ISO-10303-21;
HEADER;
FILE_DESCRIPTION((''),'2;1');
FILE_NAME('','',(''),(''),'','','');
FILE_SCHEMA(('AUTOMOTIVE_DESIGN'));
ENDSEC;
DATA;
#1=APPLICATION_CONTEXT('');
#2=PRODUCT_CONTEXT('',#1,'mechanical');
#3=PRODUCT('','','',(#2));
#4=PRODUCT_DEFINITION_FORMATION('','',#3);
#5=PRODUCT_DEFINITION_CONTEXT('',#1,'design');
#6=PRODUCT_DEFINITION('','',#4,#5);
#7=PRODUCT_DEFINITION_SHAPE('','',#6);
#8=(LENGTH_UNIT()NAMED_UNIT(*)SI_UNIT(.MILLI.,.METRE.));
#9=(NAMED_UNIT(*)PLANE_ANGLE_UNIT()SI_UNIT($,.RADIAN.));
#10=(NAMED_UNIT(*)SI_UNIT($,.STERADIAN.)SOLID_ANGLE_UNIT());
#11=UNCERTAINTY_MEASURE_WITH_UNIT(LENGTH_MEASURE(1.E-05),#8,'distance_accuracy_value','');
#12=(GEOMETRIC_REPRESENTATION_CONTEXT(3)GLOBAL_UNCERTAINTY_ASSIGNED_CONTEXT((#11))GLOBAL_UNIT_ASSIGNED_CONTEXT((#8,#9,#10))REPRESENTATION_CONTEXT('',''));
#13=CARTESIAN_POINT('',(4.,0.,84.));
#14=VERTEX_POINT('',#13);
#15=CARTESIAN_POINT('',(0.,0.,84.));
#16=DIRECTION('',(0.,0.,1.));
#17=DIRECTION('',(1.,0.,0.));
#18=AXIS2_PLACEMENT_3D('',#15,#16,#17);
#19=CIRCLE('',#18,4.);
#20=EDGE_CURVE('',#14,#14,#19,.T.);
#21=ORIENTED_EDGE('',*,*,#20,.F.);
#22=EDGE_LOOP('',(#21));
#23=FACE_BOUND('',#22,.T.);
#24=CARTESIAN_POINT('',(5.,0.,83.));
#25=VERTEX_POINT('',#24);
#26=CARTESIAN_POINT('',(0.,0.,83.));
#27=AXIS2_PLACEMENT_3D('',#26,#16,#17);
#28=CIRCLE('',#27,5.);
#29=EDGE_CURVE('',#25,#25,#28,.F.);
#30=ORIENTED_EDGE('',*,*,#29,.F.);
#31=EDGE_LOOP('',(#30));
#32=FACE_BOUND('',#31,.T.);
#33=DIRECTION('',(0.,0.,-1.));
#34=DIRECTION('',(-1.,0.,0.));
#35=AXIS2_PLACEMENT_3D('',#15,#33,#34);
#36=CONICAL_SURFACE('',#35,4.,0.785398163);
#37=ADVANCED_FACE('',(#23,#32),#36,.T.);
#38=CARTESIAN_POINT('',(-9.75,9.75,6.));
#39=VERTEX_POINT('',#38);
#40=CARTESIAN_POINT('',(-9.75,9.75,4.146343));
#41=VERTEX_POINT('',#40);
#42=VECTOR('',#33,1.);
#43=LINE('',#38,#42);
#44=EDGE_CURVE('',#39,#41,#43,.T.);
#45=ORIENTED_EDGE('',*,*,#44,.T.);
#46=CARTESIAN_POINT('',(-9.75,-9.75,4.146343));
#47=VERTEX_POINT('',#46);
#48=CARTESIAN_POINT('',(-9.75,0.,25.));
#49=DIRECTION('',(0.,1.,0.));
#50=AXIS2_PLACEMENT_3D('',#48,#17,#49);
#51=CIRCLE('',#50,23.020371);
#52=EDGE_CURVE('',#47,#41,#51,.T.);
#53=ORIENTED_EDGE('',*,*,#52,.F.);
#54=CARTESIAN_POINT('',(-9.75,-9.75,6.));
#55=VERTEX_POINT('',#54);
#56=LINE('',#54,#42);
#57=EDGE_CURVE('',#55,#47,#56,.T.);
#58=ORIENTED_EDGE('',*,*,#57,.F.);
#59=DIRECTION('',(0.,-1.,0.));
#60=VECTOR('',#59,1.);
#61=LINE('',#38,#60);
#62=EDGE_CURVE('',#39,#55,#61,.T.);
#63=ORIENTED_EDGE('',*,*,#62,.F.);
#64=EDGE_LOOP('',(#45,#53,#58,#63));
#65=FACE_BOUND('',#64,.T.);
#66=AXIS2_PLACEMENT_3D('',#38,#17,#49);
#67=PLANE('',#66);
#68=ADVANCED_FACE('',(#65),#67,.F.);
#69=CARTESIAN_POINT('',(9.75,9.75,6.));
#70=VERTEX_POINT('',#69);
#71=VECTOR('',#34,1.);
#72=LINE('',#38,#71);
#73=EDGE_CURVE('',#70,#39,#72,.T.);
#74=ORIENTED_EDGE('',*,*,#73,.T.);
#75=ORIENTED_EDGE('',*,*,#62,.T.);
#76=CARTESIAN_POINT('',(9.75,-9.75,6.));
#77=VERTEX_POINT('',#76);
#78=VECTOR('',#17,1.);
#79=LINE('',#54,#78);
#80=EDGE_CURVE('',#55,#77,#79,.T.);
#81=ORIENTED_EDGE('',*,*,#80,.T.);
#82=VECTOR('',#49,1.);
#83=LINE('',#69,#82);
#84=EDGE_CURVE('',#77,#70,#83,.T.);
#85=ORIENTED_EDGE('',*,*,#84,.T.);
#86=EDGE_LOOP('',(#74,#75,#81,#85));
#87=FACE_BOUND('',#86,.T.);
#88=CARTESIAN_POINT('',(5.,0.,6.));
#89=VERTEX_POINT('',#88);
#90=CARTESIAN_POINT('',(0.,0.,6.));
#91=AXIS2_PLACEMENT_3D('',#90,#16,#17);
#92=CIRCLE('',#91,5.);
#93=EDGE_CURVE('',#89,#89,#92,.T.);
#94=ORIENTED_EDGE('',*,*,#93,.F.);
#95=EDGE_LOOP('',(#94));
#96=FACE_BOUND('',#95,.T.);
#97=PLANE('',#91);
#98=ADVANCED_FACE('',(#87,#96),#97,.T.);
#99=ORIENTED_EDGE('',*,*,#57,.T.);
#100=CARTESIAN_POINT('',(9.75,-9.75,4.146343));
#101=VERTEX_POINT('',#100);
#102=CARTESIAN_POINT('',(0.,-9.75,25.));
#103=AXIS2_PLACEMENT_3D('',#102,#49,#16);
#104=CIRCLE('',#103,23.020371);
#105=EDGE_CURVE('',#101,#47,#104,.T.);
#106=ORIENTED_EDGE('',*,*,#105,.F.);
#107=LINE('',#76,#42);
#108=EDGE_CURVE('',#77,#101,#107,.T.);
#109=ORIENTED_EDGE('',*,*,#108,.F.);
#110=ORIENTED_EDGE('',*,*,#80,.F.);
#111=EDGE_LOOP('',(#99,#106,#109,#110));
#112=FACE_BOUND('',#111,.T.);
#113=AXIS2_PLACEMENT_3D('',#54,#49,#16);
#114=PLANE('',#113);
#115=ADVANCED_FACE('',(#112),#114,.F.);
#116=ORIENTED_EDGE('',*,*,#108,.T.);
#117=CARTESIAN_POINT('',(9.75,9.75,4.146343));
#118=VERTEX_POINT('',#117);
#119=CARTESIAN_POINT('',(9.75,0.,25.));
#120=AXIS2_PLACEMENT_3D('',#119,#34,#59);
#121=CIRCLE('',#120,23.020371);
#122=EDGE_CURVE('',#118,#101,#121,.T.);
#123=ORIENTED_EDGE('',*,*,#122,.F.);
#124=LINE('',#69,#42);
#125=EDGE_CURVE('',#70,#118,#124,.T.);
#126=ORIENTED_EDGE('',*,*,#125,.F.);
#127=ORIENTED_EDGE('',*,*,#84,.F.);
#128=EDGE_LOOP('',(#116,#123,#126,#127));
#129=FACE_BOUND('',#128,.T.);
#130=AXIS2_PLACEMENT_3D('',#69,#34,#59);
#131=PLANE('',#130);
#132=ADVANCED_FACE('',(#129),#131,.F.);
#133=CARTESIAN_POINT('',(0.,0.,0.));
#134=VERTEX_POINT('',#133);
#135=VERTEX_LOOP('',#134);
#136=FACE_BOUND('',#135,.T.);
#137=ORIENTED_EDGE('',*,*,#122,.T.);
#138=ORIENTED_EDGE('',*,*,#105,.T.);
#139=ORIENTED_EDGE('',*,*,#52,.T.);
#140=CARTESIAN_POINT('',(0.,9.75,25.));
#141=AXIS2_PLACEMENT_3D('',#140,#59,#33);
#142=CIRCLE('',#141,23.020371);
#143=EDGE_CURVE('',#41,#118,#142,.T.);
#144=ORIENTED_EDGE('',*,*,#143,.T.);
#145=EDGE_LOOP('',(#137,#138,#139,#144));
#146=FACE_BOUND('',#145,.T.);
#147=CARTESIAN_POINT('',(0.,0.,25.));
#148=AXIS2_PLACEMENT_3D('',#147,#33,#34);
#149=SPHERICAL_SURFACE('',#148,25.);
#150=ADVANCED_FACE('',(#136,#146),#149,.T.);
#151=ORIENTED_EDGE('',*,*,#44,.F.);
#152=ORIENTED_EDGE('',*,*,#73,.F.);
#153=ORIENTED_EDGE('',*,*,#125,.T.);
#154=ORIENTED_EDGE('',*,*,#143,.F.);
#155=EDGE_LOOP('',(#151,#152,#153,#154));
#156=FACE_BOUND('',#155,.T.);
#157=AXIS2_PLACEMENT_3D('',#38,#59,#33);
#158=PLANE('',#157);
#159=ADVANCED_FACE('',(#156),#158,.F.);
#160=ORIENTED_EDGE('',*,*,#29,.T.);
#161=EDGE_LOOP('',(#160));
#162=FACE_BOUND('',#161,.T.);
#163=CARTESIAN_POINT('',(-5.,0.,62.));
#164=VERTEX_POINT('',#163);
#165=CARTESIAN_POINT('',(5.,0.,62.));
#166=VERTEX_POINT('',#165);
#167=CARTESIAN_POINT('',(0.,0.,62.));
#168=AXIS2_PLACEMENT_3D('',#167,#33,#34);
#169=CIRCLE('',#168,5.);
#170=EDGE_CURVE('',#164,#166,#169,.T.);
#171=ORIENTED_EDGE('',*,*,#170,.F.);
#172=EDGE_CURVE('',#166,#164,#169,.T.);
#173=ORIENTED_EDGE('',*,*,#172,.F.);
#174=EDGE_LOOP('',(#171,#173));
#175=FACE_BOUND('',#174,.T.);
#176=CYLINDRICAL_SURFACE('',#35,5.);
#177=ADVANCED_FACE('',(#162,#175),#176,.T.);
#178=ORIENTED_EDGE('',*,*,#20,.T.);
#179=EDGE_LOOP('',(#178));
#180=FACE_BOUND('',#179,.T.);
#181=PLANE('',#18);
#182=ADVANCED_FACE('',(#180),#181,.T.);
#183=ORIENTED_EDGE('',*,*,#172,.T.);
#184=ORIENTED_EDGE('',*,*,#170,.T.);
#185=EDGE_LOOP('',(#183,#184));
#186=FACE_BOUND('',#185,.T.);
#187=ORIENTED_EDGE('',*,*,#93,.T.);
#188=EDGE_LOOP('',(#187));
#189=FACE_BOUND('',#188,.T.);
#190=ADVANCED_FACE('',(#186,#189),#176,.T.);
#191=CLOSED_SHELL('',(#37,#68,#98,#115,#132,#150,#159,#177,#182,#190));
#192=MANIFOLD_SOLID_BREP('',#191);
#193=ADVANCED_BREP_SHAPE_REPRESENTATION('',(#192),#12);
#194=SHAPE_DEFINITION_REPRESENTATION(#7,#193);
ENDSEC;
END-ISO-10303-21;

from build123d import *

# Parameters (mm, degrees)
SKETCH2_W           = 19.5
SKETCH2_H           = 19.5
BOSS_EXTRUDE1_DEPTH = 6
SKETCH3_R           = 5
BOSS_EXTRUDE2_DEPTH = 78
CHAMFER1_SIZE       = 1


with BuildPart() as part:
    # Sketch2 → Boss-Extrude1 (new body)
    with BuildSketch(Plane.XY):
        Rectangle(SKETCH2_W, SKETCH2_H)
    extrude(amount=BOSS_EXTRUDE1_DEPTH)

    # Sketch3 → Boss-Extrude2 (add)
    with BuildSketch(Plane.XY.offset(6)):
        Circle(SKETCH3_R)
    extrude(amount=BOSS_EXTRUDE2_DEPTH)

    # Chamfer1
    chamfer1_edges = [part.edges().sort_by_distance(p)[0] for p in [
        (-5, 0, 84),
    ]]
    chamfer(chamfer1_edges, length=CHAMFER1_SIZE)

    # Sketch4 → Cut-Revolve1 (revolve, cut)
    with BuildSketch(Plane(origin=(0, 0, 0), x_dir=(1, 0, 0), z_dir=(0, 1, 0))):
        with BuildLine():
            Line((0, 8.673011737), (0, 0))
            ThreePointArc((0, 0), (17.67766953, -7.32233047), (25, -25))
            Line((25, -25), (33.673011737, -25))
            ThreePointArc((33.673011737, -25), (23.810414942, -1.189585058), (0, 8.673011737))
        make_face()
    revolve(axis=Axis((0, 0, 0), (0, 0, 1)), mode=Mode.SUBTRACT)


solid = part.part
